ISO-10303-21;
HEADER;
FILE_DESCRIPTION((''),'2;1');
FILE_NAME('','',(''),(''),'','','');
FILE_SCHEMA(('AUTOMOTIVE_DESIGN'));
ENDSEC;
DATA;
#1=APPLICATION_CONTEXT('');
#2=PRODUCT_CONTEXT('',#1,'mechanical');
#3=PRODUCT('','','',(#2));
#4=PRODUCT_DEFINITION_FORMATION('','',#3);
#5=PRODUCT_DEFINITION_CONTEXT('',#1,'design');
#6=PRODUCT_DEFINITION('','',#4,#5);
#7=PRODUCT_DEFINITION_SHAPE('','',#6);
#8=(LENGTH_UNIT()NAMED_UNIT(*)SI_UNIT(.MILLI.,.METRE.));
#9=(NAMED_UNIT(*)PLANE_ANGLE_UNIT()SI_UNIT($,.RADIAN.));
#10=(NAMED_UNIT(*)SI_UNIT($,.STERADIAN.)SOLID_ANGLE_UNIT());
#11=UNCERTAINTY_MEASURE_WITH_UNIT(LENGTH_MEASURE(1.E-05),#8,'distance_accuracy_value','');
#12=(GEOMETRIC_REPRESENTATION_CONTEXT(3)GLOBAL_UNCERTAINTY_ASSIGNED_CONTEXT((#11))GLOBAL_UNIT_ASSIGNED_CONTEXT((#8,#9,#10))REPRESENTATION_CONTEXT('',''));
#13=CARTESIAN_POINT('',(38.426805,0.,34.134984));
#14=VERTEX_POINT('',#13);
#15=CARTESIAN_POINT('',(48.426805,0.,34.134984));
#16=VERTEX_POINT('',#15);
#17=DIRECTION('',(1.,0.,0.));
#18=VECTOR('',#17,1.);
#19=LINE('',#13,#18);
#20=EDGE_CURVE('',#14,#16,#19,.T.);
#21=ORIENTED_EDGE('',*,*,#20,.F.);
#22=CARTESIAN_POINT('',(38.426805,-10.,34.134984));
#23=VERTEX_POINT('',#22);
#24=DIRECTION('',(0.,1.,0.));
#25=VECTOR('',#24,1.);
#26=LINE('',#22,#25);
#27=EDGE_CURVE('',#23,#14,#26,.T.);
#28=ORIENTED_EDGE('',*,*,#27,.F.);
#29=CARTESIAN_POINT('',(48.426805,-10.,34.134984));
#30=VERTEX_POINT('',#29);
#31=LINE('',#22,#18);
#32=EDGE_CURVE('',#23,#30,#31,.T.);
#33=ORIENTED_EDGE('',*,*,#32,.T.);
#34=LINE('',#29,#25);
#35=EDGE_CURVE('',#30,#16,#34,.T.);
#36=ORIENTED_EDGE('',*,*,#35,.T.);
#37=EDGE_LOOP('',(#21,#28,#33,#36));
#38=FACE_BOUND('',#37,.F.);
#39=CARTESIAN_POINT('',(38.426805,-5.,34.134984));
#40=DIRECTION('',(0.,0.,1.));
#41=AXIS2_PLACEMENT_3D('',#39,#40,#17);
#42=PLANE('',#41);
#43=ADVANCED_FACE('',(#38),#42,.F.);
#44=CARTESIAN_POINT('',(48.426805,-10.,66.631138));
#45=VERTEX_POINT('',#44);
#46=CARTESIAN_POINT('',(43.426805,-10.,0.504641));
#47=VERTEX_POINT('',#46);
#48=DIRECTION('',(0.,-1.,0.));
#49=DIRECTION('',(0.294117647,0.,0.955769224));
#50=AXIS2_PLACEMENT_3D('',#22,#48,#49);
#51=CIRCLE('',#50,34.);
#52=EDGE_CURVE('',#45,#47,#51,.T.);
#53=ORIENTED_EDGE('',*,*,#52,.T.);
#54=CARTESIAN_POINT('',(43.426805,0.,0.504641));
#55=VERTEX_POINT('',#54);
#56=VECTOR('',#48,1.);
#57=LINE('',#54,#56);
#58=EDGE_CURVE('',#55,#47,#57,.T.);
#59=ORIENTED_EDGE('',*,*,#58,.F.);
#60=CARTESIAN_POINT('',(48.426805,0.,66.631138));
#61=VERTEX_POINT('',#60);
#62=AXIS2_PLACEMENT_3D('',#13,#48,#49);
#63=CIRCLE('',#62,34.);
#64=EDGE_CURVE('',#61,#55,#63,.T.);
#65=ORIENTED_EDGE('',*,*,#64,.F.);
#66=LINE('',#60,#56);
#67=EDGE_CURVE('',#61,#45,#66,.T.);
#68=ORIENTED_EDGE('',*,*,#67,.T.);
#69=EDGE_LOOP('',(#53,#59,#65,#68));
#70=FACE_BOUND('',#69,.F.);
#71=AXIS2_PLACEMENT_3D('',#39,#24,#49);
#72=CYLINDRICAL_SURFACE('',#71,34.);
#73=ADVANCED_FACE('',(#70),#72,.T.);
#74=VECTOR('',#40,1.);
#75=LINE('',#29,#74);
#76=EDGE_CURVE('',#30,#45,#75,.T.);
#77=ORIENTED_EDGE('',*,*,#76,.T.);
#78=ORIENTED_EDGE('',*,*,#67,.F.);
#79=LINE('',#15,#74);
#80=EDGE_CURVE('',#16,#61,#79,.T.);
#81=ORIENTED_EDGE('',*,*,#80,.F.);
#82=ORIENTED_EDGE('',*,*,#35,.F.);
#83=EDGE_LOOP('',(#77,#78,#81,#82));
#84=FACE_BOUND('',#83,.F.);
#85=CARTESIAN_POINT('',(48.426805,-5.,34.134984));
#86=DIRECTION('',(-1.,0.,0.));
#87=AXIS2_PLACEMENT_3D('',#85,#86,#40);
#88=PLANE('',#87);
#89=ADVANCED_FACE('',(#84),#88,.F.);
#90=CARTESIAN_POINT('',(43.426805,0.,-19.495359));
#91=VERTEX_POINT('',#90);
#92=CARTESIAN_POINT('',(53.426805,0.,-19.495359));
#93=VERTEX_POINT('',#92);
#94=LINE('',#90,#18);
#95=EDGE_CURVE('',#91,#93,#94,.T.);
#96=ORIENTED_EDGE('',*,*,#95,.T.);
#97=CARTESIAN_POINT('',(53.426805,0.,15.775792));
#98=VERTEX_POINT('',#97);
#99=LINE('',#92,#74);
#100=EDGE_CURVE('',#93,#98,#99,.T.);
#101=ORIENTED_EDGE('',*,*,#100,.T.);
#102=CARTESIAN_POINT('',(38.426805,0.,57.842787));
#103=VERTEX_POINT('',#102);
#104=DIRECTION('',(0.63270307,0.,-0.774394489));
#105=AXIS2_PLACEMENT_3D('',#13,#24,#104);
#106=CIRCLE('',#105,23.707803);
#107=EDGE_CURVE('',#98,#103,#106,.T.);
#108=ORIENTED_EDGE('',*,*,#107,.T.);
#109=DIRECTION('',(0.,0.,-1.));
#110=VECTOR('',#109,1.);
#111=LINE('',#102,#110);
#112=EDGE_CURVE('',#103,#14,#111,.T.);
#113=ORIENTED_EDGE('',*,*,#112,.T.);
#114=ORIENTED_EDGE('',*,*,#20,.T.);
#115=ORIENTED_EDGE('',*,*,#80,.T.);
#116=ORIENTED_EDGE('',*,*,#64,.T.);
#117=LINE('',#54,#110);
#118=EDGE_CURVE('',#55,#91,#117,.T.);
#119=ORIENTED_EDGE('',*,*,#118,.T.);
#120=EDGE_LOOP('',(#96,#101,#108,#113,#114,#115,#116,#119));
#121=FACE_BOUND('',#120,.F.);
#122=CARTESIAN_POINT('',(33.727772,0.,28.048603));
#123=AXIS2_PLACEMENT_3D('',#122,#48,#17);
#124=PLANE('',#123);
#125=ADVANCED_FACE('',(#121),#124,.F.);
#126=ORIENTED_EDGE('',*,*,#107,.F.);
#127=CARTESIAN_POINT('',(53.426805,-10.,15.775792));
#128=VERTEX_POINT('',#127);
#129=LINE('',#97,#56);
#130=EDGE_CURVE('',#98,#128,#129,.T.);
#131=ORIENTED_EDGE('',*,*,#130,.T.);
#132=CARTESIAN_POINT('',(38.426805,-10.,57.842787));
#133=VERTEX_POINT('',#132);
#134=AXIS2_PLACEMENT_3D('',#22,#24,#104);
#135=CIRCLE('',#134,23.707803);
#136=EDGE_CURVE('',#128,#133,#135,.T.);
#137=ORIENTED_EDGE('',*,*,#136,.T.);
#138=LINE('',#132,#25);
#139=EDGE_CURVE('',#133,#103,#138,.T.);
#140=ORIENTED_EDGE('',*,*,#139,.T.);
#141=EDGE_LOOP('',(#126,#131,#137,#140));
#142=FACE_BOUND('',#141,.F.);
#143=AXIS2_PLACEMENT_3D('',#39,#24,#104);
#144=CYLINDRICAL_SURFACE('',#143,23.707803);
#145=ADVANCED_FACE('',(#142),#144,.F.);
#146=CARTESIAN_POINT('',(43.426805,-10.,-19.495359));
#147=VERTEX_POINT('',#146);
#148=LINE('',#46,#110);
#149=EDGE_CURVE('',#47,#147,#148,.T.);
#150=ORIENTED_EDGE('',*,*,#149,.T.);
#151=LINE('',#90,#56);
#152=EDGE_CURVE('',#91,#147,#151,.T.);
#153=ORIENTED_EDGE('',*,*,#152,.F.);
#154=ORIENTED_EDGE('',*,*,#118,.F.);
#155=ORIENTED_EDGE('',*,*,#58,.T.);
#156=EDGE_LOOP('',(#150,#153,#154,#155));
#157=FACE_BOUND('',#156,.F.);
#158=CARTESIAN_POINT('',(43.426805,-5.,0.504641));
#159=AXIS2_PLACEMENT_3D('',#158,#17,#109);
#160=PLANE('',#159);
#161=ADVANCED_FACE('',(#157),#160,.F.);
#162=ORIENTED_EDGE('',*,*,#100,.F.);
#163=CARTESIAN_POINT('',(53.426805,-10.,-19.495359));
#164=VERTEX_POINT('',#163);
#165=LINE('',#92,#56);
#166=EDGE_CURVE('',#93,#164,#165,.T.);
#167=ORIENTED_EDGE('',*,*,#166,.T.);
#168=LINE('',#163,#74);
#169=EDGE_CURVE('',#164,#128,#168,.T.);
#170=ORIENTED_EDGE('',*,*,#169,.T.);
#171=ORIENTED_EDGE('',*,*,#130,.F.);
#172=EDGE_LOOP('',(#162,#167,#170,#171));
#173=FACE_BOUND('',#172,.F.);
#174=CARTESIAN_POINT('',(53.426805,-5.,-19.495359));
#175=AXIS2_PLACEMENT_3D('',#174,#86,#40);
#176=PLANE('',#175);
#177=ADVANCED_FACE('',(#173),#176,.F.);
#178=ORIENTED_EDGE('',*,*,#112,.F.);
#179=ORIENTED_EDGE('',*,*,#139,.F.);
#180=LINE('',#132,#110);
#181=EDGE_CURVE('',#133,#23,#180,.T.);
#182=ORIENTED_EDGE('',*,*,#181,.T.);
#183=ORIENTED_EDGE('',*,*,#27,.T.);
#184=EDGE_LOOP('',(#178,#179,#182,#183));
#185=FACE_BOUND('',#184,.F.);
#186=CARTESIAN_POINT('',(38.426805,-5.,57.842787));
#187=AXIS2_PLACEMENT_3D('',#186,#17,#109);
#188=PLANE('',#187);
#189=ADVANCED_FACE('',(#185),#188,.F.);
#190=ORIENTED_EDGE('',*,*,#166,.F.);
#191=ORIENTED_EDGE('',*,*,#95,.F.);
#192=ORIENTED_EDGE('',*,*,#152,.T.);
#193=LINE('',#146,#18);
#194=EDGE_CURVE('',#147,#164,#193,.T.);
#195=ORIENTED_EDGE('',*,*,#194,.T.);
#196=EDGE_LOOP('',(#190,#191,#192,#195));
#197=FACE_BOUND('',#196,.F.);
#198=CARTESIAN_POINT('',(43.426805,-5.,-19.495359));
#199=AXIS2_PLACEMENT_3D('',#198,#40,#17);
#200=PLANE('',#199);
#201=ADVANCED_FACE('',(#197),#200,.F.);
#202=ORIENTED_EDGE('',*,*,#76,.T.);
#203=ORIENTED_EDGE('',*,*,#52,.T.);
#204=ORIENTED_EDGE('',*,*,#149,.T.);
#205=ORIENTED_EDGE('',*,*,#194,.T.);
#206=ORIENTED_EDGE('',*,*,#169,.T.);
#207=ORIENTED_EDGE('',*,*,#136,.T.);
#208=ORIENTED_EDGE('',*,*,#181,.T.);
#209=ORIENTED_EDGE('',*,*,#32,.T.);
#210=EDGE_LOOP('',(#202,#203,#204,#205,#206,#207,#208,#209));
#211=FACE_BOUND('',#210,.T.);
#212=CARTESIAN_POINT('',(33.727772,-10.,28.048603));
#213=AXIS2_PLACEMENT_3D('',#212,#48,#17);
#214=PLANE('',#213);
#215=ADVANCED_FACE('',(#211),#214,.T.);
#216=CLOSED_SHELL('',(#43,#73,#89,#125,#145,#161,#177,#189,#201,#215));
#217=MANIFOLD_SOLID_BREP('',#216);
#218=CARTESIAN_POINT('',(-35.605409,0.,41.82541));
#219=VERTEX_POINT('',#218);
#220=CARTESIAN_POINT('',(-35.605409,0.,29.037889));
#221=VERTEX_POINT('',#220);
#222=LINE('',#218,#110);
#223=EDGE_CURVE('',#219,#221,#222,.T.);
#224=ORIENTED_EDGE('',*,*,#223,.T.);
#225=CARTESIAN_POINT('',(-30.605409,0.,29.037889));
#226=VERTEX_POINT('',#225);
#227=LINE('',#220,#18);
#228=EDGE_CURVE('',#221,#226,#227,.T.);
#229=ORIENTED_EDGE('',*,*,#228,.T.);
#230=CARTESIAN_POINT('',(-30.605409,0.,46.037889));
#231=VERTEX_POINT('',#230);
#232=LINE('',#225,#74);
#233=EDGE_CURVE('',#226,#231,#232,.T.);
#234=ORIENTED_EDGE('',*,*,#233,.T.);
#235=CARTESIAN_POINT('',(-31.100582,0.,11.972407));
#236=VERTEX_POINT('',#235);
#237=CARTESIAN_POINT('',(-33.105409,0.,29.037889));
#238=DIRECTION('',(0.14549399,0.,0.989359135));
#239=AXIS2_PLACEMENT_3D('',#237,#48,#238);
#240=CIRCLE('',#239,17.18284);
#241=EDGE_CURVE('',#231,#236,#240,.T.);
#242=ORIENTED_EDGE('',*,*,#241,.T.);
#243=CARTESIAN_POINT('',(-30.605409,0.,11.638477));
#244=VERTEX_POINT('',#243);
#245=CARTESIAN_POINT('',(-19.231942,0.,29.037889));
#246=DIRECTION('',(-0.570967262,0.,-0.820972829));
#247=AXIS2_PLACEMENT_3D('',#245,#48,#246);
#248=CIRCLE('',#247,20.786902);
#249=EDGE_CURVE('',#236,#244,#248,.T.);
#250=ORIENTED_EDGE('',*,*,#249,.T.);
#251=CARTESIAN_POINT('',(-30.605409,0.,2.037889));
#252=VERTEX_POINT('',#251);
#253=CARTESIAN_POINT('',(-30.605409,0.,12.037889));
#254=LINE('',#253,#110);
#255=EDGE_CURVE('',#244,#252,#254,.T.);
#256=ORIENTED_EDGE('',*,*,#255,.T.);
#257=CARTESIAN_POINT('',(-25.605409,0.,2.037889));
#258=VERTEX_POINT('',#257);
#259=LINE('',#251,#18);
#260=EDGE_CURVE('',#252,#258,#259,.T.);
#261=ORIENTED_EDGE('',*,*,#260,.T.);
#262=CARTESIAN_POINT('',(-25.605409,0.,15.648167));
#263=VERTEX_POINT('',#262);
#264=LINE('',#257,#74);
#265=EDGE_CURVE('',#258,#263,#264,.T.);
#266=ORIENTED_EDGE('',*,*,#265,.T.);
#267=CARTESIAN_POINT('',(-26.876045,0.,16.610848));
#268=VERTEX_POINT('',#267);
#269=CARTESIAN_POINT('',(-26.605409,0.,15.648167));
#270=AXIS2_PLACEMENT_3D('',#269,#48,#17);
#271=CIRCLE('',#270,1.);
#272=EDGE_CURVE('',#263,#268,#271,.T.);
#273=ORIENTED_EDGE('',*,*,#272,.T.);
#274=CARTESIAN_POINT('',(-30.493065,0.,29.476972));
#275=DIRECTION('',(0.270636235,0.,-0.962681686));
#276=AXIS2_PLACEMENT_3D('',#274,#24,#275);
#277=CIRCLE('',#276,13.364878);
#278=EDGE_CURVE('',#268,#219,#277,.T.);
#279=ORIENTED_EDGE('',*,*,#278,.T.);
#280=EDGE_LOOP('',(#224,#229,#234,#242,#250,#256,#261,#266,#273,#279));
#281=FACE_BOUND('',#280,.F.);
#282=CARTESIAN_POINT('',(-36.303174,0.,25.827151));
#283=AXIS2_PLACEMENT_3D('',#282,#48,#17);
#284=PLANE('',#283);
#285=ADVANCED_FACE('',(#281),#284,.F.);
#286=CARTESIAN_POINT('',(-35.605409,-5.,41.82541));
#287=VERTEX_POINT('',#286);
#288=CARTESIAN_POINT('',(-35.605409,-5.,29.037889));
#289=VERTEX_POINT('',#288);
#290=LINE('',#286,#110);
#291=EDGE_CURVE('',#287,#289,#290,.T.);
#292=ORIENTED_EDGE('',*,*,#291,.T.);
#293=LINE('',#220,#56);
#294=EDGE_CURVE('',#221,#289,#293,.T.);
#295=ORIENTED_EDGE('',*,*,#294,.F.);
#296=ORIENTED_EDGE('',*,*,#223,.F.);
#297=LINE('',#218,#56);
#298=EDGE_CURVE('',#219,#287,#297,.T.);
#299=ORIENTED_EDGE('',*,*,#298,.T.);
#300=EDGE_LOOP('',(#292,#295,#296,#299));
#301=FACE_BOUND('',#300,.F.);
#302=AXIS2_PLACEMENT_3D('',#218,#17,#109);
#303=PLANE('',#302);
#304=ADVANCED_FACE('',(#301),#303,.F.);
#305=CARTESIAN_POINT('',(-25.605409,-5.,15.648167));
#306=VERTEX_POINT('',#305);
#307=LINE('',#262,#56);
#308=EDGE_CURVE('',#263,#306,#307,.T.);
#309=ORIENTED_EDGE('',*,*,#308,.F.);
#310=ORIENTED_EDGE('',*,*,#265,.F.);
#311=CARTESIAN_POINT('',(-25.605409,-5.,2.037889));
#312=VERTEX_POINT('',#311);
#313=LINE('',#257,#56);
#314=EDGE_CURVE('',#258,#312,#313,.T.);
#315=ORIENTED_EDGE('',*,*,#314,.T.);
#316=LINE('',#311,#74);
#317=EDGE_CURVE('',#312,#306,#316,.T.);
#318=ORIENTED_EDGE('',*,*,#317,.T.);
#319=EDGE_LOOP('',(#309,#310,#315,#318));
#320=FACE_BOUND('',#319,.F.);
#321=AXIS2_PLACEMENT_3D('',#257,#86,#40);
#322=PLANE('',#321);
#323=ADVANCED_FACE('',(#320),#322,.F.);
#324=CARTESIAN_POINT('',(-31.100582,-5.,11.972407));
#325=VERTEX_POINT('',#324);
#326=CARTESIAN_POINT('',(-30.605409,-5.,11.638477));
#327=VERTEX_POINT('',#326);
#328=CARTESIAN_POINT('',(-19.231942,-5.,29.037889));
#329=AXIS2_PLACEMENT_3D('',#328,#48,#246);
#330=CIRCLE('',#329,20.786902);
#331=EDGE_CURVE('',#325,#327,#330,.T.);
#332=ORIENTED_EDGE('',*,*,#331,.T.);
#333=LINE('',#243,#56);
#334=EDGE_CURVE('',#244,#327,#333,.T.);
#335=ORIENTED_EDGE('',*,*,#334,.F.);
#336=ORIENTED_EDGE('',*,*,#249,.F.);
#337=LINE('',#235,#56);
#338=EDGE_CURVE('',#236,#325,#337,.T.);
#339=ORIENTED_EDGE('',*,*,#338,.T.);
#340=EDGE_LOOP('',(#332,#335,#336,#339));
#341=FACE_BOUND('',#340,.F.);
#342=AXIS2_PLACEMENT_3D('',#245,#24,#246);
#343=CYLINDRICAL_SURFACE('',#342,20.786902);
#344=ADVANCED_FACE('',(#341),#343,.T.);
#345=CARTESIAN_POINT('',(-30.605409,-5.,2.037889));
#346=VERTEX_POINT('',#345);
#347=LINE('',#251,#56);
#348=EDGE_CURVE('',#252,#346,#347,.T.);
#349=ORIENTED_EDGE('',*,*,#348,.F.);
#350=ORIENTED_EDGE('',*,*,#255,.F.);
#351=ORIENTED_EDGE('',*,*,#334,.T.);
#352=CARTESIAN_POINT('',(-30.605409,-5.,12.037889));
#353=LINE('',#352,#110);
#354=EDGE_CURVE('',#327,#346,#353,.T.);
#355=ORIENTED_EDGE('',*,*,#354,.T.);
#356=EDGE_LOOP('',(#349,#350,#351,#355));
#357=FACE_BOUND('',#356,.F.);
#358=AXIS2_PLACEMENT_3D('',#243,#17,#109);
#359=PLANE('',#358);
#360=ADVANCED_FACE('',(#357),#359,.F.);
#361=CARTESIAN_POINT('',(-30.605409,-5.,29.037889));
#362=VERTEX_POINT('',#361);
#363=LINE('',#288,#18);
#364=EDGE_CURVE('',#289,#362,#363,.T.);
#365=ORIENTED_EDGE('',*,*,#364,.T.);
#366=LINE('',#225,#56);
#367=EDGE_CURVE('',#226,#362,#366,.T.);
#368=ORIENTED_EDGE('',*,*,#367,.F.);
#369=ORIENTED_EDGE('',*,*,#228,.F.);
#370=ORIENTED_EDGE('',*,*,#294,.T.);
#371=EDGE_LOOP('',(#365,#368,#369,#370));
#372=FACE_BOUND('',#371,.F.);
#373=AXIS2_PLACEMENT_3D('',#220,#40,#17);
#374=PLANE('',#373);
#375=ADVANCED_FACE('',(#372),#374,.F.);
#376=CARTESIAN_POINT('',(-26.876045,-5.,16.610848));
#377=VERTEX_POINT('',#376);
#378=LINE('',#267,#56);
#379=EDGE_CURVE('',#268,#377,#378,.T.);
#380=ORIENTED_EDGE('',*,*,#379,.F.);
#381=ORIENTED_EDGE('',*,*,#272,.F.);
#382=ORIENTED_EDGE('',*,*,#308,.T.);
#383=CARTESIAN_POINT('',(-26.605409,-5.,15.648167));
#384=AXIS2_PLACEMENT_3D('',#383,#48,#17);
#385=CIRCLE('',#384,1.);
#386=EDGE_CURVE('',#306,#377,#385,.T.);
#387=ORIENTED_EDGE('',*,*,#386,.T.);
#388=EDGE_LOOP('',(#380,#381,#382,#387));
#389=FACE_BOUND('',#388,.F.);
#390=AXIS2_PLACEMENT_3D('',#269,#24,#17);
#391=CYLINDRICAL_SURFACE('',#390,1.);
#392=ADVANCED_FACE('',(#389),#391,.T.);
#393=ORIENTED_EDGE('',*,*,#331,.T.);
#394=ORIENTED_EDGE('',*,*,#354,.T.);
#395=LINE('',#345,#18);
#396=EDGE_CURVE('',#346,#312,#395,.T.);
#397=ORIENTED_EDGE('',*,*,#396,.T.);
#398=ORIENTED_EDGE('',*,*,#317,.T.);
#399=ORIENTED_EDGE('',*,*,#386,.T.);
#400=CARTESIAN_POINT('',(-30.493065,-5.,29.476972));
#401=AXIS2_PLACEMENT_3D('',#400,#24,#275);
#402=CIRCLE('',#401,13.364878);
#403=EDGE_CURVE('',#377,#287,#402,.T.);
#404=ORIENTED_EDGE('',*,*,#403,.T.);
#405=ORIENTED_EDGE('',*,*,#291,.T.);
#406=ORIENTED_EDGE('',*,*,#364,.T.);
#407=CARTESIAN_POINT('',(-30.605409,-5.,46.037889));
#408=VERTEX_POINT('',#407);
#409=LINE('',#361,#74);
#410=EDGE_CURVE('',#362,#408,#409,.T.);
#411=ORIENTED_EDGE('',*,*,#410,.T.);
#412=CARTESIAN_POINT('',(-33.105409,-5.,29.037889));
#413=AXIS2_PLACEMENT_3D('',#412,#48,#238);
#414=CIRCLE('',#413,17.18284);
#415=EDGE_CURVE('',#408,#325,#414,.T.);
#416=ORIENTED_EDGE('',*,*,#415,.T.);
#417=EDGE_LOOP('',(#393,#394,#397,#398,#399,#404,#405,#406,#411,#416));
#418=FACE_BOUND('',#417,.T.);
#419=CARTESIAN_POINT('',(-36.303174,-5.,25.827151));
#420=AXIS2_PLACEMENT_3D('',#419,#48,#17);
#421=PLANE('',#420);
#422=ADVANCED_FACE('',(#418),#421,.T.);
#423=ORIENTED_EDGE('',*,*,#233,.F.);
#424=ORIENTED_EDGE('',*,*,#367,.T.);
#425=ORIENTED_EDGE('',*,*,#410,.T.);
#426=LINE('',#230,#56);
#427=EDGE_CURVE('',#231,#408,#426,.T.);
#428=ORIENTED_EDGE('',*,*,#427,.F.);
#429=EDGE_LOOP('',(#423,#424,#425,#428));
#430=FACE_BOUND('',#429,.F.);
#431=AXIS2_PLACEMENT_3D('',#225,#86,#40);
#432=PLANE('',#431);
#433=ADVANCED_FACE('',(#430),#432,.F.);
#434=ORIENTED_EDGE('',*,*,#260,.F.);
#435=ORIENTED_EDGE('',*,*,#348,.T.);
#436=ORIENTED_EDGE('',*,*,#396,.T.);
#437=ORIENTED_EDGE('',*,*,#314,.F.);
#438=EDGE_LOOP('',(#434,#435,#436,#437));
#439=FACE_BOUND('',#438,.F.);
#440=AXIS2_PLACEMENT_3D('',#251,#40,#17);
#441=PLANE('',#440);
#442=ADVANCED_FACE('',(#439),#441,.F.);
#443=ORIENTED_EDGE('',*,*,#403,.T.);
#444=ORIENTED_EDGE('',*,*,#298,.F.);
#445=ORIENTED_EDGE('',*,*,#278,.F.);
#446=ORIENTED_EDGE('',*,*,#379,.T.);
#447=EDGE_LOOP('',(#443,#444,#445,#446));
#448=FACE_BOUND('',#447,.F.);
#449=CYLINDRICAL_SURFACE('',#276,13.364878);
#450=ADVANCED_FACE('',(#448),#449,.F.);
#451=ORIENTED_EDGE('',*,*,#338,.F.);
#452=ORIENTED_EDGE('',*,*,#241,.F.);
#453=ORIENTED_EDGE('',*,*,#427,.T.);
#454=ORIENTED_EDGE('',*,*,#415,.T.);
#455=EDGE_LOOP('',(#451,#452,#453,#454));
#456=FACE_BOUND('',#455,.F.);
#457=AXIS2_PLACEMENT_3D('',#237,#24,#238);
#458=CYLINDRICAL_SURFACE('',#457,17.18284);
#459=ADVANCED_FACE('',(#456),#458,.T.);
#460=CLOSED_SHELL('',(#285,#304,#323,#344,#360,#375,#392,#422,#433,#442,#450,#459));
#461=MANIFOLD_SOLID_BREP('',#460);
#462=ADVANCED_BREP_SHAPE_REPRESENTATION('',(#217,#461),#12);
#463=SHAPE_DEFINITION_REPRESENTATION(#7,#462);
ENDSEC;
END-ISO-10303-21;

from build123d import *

# Parameters (mm, degrees)
F1_DEPTH = 5
F2_DEPTH = 5


with BuildPart() as f1:
    # F0 (on Front) → F1 (new body)
    with BuildSketch(Plane.XZ):
        with BuildLine():
            Line((-30.6054087508, 29.0378890929), (-30.6054087508, 46.0378890929))
            ThreePointArc((-30.6054087508, 46.0378890929), (-50.2864340073, 29.2876312352), (-31.1005821345, 11.9724072586))
            ThreePointArc((-31.1005821345, 11.9724072586), (-30.8527574954, 12.0033488197), (-30.6054087508, 12.0378890929))
            Line((-30.6054087508, 12.0378890929), (-30.6054087508, 11.6384769364))
            Line((-30.6054087508, 11.6384769364), (-30.6054087508, 2.0378890929))
            Line((-30.6054087508, 2.0378890929), (-25.6054087508, 2.0378890929))
            Line((-25.6054087508, 2.0378890929), (-25.6054087508, 15.6481668049))
            ThreePointArc((-25.6054087508, 15.6481668049), (-26.0015197853, 16.4452352569), (-26.8760449853, 16.6108484909))
            ThreePointArc((-26.8760449853, 16.6108484909), (-43.122496261, 25.1046217578), (-35.6054087508, 41.8254099786))
            Line((-35.6054087508, 41.8254099786), (-35.6054087508, 31.0378890929))
            Line((-35.6054087508, 31.0378890929), (-35.6054087508, 29.0378890929))
            Line((-35.6054087508, 29.0378890929), (-30.6054087508, 29.0378890929))
        make_face()
        with BuildLine():
            ThreePointArc((-30.6054087508, 12.0378890929), (-30.8527574954, 12.0033488197), (-31.1005821345, 11.9724072586))
            ThreePointArc((-31.1005821345, 11.9724072586), (-30.8541948144, 11.8036635919), (-30.6054087508, 11.6384769364))
            Line((-30.6054087508, 11.6384769364), (-30.6054087508, 12.0378890929))
        make_face()
    extrude(amount=F1_DEPTH)


with BuildPart() as f1b:
    # F0 (on Front) → F1, piece 2 (new body)
    with BuildSketch(Plane.XZ):
        with BuildLine():
            Line((48.4268052876, 34.1349840164), (48.4268052876, 66.631137635))
            ThreePointArc((48.4268052876, 66.631137635), (4.5235841521, 36.6984965751), (43.4268052876, 0.5046405748))
            Line((43.4268052876, 0.5046405748), (43.4268052876, 0))
            Line((43.4268052876, 0), (43.4268052876, -19.4953594252))
            Line((43.4268052876, -19.4953594252), (53.4268052876, -19.4953594252))
            Line((53.4268052876, -19.4953594252), (53.4268052876, 10.5046405748))
            Line((53.4268052876, 10.5046405748), (53.4268052876, 15.7757917067))
            ThreePointArc((53.4268052876, 15.7757917067), (16.0961529885, 26.1724523737), (38.4268052876, 57.8427874209))
            Line((38.4268052876, 57.8427874209), (38.4268052876, 34.1349840164))
            Line((38.4268052876, 34.1349840164), (48.4268052876, 34.1349840164))
        make_face()
    extrude(amount=F1_DEPTH)

    # F2 (add): a face of the model
    f2_faces = [f1b.faces().sort_by_distance(p)[0] for p in [
        (47.4228094165, -5, 50.3830608257),
    ]]
    extrude(f2_faces, amount=F2_DEPTH)


solid = Compound([f1.part, f1b.part])
